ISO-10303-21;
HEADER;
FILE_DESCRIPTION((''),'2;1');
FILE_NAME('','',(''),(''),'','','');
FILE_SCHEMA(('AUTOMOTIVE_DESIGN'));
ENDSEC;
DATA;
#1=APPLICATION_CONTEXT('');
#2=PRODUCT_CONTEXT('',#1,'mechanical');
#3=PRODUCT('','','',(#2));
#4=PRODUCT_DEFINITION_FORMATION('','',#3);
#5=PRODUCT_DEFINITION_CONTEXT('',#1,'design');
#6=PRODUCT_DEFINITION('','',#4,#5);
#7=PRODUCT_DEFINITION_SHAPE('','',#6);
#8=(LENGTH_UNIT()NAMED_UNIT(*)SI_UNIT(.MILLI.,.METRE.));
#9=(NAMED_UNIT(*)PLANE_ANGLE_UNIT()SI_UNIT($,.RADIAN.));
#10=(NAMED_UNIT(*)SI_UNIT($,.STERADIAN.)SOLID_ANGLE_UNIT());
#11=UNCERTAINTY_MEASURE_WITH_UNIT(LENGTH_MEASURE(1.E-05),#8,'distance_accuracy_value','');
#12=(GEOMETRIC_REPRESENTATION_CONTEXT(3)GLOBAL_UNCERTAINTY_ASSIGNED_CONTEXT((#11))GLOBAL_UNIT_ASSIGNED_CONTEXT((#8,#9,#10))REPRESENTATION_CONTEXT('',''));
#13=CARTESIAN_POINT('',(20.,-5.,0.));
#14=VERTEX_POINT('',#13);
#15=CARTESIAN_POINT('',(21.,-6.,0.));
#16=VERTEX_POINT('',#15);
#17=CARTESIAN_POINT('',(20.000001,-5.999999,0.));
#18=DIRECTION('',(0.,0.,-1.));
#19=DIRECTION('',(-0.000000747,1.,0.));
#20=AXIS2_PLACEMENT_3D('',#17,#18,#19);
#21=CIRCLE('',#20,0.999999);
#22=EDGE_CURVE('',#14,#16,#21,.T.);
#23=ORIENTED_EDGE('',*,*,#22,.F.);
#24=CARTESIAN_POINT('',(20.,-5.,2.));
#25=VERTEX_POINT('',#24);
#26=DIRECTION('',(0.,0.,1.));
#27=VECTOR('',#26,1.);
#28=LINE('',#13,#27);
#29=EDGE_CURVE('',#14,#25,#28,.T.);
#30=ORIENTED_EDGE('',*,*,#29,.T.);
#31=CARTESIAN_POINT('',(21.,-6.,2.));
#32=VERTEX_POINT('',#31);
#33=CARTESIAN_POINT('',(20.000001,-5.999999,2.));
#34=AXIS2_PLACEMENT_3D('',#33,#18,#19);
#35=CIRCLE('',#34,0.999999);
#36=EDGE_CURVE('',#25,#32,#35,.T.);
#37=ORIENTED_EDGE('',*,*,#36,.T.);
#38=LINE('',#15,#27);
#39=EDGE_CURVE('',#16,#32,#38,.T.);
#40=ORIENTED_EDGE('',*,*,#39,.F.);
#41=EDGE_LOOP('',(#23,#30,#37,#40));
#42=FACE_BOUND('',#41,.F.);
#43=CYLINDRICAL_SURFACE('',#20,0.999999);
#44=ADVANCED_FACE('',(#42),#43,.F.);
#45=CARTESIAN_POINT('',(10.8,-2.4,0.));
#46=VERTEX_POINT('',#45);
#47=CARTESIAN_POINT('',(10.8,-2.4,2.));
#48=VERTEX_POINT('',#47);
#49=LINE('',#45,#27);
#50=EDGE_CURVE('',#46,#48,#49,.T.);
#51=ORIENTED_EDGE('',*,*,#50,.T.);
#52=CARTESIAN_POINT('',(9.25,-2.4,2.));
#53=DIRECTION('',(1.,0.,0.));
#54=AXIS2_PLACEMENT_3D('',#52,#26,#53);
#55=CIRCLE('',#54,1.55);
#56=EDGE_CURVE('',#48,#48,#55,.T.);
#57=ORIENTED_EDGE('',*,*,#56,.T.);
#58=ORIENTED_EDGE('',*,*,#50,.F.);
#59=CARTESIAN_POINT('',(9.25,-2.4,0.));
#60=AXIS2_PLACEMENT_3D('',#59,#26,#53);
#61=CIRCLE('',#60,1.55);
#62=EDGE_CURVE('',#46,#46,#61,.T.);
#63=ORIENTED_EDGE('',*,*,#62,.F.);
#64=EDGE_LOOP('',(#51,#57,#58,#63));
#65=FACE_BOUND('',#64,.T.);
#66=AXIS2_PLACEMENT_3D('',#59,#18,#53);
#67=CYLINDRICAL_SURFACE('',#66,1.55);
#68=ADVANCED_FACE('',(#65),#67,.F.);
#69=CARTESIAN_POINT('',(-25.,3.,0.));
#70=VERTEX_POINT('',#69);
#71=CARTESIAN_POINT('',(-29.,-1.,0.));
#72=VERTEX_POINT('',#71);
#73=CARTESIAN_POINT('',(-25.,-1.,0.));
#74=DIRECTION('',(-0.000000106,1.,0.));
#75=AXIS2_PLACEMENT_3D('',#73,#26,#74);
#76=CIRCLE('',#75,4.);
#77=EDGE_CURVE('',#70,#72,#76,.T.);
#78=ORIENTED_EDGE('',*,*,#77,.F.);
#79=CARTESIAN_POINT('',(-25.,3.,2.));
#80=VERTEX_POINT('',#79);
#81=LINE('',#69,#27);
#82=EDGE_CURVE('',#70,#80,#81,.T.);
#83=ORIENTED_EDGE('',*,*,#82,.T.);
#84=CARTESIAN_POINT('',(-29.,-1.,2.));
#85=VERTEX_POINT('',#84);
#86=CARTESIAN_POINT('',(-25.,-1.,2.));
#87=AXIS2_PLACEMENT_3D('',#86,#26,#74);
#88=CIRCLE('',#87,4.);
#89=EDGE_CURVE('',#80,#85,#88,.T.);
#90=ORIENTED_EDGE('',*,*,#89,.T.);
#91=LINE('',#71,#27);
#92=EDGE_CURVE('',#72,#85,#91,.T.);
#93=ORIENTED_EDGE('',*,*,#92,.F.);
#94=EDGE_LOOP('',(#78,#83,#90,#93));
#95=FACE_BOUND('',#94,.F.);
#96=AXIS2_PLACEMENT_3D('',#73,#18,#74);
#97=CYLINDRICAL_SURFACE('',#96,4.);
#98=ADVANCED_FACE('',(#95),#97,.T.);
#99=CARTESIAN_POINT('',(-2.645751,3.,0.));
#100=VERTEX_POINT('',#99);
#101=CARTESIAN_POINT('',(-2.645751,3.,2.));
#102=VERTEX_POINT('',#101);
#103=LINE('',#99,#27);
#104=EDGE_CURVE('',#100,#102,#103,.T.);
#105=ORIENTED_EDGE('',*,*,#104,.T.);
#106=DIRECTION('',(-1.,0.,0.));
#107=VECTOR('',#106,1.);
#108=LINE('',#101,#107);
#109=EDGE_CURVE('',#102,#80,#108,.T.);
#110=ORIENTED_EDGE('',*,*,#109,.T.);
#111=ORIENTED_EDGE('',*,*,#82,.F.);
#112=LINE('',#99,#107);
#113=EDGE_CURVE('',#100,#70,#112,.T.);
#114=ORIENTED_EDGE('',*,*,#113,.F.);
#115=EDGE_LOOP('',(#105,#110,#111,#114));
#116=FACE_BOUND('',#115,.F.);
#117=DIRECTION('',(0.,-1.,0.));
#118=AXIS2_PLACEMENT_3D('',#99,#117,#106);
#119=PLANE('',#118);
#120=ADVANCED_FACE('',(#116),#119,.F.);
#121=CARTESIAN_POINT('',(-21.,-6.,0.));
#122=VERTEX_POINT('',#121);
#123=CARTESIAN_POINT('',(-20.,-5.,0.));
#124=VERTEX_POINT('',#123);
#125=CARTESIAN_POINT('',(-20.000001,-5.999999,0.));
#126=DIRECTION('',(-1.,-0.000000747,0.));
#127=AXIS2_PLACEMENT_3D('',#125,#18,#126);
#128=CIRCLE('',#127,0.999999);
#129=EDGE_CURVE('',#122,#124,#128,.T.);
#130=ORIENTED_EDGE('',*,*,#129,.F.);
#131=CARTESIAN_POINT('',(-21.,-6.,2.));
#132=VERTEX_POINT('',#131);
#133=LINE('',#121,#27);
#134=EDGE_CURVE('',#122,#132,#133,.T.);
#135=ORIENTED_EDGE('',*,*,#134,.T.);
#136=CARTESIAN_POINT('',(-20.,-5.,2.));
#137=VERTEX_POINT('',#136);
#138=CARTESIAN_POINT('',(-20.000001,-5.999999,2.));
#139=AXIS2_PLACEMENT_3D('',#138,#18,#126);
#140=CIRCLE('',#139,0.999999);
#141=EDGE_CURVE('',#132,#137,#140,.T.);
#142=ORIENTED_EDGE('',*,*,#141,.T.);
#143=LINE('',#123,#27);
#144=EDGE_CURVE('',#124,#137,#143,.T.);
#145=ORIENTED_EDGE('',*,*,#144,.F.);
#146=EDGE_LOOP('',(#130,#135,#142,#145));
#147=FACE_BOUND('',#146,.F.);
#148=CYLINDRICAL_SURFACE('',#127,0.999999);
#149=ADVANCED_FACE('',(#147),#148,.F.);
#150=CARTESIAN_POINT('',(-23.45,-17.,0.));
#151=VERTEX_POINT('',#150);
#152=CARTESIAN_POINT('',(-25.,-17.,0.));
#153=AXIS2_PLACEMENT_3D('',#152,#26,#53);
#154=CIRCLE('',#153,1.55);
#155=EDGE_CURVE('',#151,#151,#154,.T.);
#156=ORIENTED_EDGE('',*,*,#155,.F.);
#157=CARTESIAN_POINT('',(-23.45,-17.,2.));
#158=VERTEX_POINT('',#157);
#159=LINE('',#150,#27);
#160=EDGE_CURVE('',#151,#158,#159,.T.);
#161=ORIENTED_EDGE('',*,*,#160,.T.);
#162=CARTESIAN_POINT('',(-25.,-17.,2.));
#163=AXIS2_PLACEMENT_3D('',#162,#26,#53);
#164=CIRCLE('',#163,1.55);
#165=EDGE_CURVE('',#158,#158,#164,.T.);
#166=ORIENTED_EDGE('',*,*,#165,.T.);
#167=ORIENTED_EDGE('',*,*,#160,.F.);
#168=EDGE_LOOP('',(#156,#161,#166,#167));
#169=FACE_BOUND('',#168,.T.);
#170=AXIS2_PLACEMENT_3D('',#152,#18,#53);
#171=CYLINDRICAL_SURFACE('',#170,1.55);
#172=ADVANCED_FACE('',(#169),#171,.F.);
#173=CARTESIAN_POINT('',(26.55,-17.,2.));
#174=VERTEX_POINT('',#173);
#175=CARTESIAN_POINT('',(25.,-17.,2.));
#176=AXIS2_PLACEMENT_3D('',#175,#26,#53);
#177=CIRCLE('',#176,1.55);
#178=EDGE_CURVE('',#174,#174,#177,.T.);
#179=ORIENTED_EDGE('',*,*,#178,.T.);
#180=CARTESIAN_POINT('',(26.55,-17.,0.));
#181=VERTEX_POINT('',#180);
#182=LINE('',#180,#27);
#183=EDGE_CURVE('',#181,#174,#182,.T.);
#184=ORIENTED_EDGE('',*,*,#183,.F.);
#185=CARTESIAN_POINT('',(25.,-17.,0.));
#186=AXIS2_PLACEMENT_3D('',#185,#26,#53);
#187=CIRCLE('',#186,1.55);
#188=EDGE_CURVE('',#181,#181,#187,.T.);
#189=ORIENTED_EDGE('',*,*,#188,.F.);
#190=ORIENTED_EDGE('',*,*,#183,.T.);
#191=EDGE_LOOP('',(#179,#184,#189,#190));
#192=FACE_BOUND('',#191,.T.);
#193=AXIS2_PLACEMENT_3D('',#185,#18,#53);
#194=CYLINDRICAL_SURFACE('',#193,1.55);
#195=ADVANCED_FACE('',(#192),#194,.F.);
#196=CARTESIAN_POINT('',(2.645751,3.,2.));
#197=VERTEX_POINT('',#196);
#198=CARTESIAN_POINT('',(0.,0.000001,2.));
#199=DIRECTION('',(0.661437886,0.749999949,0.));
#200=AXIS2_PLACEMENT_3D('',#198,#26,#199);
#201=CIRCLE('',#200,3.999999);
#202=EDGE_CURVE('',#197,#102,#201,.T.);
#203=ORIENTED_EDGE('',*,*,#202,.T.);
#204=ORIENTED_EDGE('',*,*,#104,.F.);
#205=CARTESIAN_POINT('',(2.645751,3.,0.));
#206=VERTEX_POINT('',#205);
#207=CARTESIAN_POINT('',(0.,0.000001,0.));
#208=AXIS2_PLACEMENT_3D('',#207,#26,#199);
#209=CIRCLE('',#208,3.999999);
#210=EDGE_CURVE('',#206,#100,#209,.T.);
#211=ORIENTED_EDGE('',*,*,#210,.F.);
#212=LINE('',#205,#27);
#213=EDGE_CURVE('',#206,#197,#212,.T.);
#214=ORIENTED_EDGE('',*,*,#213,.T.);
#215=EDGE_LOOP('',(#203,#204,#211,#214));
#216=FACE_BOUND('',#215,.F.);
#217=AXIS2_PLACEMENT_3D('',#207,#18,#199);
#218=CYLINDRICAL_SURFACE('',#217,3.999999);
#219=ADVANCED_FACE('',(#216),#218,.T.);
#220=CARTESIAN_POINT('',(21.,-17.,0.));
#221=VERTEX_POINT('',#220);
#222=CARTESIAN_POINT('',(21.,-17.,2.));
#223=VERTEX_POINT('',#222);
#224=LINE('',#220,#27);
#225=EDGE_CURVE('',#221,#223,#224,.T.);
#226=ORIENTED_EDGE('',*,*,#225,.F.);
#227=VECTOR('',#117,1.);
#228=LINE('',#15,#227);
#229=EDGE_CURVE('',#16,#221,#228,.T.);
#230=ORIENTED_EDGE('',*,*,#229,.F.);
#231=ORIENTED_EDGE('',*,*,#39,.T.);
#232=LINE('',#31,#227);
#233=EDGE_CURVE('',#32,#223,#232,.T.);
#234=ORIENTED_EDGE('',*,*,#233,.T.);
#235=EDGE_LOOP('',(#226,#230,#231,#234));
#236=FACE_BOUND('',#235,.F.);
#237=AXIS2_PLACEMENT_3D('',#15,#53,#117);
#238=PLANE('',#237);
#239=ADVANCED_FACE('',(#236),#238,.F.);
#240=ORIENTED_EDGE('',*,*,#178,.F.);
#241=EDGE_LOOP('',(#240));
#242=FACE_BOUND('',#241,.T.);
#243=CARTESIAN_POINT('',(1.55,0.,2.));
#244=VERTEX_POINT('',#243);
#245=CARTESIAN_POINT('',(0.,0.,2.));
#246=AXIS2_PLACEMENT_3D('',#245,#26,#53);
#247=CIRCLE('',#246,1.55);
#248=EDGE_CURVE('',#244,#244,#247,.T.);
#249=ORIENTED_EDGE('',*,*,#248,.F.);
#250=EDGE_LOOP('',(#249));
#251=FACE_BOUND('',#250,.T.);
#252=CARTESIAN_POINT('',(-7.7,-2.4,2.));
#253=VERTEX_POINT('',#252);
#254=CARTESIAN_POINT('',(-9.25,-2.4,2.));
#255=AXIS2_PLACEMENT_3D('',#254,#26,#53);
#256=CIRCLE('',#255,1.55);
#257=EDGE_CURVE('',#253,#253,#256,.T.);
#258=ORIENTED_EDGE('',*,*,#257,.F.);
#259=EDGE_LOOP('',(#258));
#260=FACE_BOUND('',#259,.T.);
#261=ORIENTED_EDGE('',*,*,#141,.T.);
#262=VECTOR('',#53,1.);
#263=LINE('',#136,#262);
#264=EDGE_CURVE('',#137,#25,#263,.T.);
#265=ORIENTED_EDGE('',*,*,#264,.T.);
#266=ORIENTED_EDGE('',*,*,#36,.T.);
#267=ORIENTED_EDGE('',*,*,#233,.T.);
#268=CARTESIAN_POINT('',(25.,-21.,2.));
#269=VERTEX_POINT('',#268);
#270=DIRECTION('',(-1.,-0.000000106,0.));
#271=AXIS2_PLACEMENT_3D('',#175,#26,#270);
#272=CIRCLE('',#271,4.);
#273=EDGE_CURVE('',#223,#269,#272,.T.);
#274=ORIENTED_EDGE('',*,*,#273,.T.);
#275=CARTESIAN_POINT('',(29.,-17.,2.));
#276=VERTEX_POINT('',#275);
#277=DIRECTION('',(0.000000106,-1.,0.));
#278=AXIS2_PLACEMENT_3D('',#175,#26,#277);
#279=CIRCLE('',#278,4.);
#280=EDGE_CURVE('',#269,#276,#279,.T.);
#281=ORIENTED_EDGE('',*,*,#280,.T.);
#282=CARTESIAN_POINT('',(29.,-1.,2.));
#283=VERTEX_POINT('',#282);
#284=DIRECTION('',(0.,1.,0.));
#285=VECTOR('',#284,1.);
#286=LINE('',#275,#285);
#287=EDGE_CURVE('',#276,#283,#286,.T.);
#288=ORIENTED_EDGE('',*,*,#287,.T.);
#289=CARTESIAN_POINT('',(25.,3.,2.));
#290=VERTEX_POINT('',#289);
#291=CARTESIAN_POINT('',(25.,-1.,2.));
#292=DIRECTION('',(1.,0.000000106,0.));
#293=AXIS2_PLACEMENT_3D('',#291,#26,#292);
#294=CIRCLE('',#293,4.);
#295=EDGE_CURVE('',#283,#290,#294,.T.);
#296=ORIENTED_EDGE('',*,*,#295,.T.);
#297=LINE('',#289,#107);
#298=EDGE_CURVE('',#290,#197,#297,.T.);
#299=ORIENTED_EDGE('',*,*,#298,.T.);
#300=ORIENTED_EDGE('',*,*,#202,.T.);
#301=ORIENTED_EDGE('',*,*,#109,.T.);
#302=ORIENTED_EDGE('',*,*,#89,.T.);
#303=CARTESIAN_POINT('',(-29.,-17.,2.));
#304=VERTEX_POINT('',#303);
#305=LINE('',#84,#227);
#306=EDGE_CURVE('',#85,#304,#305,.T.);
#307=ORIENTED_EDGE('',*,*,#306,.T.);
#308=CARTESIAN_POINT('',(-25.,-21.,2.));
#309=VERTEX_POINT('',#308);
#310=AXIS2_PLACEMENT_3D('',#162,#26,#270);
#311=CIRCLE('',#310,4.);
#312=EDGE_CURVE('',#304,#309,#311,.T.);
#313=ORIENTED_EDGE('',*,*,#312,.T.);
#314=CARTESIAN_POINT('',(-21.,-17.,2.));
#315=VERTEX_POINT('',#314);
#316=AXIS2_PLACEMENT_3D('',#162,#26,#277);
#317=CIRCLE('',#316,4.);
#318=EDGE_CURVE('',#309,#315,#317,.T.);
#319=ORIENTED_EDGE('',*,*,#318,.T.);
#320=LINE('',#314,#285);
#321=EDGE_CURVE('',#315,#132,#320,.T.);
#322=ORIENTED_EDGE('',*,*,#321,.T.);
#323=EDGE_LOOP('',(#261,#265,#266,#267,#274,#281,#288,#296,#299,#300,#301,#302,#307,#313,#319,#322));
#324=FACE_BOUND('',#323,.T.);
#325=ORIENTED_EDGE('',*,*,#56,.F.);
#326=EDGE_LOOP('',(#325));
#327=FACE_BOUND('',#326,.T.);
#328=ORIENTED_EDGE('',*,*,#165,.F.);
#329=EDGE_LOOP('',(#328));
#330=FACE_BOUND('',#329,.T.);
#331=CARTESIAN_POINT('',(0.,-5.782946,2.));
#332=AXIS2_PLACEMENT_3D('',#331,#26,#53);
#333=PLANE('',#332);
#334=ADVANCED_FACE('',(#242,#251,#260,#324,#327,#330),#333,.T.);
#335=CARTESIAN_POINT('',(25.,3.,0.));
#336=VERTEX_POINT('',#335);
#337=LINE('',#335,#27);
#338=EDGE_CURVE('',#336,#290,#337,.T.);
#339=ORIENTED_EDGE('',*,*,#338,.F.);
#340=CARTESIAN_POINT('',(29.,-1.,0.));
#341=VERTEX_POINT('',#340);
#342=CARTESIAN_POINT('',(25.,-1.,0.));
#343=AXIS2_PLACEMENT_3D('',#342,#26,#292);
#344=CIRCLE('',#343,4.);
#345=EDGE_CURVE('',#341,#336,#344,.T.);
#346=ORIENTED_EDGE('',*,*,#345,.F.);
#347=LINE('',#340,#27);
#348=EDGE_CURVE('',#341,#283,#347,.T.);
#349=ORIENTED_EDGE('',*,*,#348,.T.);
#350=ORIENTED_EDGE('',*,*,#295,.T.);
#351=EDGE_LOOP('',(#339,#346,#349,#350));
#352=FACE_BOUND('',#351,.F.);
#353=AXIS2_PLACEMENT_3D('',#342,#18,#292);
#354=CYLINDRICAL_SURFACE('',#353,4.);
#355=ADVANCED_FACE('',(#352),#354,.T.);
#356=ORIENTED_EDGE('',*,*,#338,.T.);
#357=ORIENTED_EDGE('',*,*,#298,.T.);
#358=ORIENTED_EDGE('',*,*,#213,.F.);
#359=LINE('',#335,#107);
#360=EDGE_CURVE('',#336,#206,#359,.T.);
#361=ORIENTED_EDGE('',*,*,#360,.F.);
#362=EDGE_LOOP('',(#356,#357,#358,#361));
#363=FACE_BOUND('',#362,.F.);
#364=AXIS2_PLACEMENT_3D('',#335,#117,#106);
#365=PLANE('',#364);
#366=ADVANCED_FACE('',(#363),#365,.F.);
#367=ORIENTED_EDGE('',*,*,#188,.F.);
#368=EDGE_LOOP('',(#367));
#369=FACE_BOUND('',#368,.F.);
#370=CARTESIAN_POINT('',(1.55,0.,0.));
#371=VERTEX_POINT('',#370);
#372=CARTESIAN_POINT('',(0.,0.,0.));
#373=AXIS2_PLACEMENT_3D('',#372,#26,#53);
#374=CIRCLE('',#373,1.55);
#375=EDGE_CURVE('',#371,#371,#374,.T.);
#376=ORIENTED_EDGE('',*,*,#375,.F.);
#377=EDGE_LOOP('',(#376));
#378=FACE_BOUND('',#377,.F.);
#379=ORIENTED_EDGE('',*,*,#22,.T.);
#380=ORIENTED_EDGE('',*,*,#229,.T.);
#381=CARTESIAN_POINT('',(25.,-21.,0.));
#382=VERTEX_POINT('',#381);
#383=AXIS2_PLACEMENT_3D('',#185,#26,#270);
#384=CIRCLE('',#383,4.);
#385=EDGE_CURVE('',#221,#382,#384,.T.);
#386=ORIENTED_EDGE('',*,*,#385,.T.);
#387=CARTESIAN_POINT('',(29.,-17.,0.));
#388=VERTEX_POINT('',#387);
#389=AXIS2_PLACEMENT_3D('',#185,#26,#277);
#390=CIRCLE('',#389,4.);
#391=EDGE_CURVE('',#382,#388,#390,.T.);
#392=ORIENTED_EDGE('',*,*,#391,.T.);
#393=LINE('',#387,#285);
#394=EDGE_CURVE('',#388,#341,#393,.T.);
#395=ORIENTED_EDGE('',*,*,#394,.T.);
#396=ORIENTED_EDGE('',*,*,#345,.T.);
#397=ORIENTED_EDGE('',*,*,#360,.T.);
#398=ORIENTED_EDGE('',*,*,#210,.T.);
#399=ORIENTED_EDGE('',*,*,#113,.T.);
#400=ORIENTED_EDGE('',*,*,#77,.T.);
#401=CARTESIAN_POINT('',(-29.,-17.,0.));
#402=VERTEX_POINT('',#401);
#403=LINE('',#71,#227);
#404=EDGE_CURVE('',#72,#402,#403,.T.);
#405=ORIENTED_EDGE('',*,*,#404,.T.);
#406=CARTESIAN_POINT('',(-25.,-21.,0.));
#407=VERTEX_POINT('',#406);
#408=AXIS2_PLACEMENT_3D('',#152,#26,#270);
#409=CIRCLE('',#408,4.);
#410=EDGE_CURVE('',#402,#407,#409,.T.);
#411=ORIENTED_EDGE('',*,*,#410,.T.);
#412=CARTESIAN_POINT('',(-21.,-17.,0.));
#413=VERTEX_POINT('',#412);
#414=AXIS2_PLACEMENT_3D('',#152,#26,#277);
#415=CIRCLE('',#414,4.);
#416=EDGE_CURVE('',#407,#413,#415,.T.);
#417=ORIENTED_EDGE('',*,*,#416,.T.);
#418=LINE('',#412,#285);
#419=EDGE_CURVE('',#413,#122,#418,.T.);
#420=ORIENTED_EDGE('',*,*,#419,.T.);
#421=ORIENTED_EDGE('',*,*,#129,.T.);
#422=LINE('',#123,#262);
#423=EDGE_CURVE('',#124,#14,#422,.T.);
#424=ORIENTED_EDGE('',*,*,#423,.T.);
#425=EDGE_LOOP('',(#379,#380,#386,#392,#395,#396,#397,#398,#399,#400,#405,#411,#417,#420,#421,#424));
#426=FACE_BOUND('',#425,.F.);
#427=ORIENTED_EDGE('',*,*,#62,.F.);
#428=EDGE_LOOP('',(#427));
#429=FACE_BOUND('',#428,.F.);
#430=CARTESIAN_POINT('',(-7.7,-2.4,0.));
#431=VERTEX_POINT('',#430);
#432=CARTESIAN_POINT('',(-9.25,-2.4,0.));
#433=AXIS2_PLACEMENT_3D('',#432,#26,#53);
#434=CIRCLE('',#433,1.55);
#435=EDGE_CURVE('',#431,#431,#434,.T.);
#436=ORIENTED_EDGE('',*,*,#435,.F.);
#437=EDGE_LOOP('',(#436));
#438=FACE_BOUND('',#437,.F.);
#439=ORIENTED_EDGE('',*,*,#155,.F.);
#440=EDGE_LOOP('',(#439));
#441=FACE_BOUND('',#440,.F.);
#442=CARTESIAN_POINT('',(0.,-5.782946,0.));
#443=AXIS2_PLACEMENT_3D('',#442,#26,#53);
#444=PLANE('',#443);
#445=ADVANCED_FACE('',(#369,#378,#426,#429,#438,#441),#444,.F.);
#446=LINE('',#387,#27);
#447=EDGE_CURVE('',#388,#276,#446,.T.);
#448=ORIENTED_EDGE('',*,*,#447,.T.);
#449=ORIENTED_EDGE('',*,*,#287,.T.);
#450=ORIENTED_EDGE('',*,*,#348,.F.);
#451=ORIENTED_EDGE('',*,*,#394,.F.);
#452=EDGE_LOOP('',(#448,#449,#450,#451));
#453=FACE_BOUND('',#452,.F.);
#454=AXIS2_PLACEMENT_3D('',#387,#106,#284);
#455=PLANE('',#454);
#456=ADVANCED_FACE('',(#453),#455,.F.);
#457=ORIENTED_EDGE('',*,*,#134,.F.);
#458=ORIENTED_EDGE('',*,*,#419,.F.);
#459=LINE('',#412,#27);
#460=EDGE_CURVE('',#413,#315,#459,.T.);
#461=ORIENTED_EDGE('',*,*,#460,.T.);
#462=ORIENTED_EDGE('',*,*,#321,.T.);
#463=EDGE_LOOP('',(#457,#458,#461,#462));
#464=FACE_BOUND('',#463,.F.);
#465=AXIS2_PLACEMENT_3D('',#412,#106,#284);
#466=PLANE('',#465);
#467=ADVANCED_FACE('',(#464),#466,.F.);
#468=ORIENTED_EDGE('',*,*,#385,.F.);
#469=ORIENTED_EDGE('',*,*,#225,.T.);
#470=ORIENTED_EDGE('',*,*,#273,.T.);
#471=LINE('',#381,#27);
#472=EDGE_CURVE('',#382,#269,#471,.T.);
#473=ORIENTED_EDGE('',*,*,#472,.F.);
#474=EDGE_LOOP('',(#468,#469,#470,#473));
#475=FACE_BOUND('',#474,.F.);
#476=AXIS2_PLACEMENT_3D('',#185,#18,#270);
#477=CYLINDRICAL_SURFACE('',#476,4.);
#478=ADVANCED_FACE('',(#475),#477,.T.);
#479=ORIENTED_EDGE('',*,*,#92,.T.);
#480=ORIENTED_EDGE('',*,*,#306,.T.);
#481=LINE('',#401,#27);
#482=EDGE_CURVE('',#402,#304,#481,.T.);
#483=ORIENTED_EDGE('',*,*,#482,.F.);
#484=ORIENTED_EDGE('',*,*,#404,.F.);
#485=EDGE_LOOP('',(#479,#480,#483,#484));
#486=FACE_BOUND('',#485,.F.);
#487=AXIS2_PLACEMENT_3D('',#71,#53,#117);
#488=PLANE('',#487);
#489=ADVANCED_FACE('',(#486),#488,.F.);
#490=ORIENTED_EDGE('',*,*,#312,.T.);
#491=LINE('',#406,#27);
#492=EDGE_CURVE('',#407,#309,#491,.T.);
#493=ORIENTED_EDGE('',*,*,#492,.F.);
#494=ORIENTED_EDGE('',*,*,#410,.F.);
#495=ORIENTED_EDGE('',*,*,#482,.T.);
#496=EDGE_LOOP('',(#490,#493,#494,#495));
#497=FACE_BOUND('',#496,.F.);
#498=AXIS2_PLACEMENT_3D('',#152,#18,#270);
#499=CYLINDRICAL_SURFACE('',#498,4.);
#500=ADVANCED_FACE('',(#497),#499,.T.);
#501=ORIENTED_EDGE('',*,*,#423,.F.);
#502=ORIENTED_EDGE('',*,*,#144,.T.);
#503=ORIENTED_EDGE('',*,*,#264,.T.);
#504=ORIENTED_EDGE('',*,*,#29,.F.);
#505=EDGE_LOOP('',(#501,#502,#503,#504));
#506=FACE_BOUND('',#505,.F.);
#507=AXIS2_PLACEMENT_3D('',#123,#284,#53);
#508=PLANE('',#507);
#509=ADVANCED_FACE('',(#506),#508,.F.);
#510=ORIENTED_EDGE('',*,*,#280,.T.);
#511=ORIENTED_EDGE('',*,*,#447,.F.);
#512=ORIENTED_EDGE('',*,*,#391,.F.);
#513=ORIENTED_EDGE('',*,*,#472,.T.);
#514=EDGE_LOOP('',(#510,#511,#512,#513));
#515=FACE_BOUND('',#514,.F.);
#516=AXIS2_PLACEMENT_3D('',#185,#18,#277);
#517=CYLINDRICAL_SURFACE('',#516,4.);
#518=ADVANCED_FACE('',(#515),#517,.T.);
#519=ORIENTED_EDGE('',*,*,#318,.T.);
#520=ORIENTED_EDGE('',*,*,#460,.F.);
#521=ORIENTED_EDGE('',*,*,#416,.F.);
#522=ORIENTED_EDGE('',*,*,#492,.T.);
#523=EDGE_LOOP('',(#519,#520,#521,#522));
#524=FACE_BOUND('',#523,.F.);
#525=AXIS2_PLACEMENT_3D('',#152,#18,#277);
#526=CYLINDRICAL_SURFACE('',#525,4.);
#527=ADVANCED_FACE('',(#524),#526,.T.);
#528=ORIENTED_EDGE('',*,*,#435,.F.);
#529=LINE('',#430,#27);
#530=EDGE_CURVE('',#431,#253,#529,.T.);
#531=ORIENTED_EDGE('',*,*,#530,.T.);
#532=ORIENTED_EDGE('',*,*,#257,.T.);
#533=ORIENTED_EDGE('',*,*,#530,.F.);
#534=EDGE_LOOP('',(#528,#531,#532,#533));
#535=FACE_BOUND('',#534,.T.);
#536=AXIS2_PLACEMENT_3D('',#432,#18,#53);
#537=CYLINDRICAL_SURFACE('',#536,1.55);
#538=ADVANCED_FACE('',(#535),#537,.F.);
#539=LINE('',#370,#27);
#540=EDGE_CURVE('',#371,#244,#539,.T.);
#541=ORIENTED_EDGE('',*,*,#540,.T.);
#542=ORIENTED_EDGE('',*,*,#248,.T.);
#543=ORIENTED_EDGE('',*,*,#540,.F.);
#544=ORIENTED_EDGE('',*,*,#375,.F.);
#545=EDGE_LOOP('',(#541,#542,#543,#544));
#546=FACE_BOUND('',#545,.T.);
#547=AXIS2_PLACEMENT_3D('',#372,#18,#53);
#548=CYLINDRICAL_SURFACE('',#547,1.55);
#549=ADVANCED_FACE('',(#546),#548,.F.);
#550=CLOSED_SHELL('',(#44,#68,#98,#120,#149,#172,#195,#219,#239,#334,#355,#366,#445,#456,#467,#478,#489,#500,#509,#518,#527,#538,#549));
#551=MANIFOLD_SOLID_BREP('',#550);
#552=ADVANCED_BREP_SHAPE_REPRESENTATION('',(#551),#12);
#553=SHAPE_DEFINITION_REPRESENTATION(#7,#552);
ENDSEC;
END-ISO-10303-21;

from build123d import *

# Parameters (mm, degrees)
F0_R     = 1.55
F1_DEPTH = 2


with BuildPart() as f1:
    # F0 (on Top) → F1 (new body)
    with BuildSketch(Plane.XY):
        with BuildLine():
            Line((-20, -5), (20, -5))
            ThreePointArc((20, -5), (20.707107, -5.292893), (21, -6))
            Line((21, -6), (21, -17))
            ThreePointArc((21, -17), (22.171573, -19.828427), (25, -21))
            ThreePointArc((25, -21), (27.828427, -19.828427), (29, -17))
            Line((29, -17), (29, -1))
            ThreePointArc((29, -1), (27.828427, 1.828427), (25, 3))
            Line((25, 3), (2.645751, 3))
            ThreePointArc((2.645751, 3), (0, 4), (-2.645751, 3))
            Line((-2.645751, 3), (-25, 3))
            ThreePointArc((-25, 3), (-27.828427, 1.828427), (-29, -1))
            Line((-29, -1), (-29, -17))
            ThreePointArc((-29, -17), (-27.828427, -19.828427), (-25, -21))
            ThreePointArc((-25, -21), (-22.171573, -19.828427), (-21, -17))
            Line((-21, -17), (-21, -6))
            ThreePointArc((-21, -6), (-20.707107, -5.292893), (-20, -5))
        make_face()
        with Locations((-25, -17)):
            Circle(F0_R, mode=Mode.SUBTRACT)
        with Locations((25, -17)):
            Circle(F0_R, mode=Mode.SUBTRACT)
        with Locations((-9.25, -2.4)):
            Circle(F0_R, mode=Mode.SUBTRACT)
        with Locations((9.25, -2.4)):
            Circle(F0_R, mode=Mode.SUBTRACT)
        Circle(F0_R, mode=Mode.SUBTRACT)
    extrude(amount=F1_DEPTH)


solid = f1.part
